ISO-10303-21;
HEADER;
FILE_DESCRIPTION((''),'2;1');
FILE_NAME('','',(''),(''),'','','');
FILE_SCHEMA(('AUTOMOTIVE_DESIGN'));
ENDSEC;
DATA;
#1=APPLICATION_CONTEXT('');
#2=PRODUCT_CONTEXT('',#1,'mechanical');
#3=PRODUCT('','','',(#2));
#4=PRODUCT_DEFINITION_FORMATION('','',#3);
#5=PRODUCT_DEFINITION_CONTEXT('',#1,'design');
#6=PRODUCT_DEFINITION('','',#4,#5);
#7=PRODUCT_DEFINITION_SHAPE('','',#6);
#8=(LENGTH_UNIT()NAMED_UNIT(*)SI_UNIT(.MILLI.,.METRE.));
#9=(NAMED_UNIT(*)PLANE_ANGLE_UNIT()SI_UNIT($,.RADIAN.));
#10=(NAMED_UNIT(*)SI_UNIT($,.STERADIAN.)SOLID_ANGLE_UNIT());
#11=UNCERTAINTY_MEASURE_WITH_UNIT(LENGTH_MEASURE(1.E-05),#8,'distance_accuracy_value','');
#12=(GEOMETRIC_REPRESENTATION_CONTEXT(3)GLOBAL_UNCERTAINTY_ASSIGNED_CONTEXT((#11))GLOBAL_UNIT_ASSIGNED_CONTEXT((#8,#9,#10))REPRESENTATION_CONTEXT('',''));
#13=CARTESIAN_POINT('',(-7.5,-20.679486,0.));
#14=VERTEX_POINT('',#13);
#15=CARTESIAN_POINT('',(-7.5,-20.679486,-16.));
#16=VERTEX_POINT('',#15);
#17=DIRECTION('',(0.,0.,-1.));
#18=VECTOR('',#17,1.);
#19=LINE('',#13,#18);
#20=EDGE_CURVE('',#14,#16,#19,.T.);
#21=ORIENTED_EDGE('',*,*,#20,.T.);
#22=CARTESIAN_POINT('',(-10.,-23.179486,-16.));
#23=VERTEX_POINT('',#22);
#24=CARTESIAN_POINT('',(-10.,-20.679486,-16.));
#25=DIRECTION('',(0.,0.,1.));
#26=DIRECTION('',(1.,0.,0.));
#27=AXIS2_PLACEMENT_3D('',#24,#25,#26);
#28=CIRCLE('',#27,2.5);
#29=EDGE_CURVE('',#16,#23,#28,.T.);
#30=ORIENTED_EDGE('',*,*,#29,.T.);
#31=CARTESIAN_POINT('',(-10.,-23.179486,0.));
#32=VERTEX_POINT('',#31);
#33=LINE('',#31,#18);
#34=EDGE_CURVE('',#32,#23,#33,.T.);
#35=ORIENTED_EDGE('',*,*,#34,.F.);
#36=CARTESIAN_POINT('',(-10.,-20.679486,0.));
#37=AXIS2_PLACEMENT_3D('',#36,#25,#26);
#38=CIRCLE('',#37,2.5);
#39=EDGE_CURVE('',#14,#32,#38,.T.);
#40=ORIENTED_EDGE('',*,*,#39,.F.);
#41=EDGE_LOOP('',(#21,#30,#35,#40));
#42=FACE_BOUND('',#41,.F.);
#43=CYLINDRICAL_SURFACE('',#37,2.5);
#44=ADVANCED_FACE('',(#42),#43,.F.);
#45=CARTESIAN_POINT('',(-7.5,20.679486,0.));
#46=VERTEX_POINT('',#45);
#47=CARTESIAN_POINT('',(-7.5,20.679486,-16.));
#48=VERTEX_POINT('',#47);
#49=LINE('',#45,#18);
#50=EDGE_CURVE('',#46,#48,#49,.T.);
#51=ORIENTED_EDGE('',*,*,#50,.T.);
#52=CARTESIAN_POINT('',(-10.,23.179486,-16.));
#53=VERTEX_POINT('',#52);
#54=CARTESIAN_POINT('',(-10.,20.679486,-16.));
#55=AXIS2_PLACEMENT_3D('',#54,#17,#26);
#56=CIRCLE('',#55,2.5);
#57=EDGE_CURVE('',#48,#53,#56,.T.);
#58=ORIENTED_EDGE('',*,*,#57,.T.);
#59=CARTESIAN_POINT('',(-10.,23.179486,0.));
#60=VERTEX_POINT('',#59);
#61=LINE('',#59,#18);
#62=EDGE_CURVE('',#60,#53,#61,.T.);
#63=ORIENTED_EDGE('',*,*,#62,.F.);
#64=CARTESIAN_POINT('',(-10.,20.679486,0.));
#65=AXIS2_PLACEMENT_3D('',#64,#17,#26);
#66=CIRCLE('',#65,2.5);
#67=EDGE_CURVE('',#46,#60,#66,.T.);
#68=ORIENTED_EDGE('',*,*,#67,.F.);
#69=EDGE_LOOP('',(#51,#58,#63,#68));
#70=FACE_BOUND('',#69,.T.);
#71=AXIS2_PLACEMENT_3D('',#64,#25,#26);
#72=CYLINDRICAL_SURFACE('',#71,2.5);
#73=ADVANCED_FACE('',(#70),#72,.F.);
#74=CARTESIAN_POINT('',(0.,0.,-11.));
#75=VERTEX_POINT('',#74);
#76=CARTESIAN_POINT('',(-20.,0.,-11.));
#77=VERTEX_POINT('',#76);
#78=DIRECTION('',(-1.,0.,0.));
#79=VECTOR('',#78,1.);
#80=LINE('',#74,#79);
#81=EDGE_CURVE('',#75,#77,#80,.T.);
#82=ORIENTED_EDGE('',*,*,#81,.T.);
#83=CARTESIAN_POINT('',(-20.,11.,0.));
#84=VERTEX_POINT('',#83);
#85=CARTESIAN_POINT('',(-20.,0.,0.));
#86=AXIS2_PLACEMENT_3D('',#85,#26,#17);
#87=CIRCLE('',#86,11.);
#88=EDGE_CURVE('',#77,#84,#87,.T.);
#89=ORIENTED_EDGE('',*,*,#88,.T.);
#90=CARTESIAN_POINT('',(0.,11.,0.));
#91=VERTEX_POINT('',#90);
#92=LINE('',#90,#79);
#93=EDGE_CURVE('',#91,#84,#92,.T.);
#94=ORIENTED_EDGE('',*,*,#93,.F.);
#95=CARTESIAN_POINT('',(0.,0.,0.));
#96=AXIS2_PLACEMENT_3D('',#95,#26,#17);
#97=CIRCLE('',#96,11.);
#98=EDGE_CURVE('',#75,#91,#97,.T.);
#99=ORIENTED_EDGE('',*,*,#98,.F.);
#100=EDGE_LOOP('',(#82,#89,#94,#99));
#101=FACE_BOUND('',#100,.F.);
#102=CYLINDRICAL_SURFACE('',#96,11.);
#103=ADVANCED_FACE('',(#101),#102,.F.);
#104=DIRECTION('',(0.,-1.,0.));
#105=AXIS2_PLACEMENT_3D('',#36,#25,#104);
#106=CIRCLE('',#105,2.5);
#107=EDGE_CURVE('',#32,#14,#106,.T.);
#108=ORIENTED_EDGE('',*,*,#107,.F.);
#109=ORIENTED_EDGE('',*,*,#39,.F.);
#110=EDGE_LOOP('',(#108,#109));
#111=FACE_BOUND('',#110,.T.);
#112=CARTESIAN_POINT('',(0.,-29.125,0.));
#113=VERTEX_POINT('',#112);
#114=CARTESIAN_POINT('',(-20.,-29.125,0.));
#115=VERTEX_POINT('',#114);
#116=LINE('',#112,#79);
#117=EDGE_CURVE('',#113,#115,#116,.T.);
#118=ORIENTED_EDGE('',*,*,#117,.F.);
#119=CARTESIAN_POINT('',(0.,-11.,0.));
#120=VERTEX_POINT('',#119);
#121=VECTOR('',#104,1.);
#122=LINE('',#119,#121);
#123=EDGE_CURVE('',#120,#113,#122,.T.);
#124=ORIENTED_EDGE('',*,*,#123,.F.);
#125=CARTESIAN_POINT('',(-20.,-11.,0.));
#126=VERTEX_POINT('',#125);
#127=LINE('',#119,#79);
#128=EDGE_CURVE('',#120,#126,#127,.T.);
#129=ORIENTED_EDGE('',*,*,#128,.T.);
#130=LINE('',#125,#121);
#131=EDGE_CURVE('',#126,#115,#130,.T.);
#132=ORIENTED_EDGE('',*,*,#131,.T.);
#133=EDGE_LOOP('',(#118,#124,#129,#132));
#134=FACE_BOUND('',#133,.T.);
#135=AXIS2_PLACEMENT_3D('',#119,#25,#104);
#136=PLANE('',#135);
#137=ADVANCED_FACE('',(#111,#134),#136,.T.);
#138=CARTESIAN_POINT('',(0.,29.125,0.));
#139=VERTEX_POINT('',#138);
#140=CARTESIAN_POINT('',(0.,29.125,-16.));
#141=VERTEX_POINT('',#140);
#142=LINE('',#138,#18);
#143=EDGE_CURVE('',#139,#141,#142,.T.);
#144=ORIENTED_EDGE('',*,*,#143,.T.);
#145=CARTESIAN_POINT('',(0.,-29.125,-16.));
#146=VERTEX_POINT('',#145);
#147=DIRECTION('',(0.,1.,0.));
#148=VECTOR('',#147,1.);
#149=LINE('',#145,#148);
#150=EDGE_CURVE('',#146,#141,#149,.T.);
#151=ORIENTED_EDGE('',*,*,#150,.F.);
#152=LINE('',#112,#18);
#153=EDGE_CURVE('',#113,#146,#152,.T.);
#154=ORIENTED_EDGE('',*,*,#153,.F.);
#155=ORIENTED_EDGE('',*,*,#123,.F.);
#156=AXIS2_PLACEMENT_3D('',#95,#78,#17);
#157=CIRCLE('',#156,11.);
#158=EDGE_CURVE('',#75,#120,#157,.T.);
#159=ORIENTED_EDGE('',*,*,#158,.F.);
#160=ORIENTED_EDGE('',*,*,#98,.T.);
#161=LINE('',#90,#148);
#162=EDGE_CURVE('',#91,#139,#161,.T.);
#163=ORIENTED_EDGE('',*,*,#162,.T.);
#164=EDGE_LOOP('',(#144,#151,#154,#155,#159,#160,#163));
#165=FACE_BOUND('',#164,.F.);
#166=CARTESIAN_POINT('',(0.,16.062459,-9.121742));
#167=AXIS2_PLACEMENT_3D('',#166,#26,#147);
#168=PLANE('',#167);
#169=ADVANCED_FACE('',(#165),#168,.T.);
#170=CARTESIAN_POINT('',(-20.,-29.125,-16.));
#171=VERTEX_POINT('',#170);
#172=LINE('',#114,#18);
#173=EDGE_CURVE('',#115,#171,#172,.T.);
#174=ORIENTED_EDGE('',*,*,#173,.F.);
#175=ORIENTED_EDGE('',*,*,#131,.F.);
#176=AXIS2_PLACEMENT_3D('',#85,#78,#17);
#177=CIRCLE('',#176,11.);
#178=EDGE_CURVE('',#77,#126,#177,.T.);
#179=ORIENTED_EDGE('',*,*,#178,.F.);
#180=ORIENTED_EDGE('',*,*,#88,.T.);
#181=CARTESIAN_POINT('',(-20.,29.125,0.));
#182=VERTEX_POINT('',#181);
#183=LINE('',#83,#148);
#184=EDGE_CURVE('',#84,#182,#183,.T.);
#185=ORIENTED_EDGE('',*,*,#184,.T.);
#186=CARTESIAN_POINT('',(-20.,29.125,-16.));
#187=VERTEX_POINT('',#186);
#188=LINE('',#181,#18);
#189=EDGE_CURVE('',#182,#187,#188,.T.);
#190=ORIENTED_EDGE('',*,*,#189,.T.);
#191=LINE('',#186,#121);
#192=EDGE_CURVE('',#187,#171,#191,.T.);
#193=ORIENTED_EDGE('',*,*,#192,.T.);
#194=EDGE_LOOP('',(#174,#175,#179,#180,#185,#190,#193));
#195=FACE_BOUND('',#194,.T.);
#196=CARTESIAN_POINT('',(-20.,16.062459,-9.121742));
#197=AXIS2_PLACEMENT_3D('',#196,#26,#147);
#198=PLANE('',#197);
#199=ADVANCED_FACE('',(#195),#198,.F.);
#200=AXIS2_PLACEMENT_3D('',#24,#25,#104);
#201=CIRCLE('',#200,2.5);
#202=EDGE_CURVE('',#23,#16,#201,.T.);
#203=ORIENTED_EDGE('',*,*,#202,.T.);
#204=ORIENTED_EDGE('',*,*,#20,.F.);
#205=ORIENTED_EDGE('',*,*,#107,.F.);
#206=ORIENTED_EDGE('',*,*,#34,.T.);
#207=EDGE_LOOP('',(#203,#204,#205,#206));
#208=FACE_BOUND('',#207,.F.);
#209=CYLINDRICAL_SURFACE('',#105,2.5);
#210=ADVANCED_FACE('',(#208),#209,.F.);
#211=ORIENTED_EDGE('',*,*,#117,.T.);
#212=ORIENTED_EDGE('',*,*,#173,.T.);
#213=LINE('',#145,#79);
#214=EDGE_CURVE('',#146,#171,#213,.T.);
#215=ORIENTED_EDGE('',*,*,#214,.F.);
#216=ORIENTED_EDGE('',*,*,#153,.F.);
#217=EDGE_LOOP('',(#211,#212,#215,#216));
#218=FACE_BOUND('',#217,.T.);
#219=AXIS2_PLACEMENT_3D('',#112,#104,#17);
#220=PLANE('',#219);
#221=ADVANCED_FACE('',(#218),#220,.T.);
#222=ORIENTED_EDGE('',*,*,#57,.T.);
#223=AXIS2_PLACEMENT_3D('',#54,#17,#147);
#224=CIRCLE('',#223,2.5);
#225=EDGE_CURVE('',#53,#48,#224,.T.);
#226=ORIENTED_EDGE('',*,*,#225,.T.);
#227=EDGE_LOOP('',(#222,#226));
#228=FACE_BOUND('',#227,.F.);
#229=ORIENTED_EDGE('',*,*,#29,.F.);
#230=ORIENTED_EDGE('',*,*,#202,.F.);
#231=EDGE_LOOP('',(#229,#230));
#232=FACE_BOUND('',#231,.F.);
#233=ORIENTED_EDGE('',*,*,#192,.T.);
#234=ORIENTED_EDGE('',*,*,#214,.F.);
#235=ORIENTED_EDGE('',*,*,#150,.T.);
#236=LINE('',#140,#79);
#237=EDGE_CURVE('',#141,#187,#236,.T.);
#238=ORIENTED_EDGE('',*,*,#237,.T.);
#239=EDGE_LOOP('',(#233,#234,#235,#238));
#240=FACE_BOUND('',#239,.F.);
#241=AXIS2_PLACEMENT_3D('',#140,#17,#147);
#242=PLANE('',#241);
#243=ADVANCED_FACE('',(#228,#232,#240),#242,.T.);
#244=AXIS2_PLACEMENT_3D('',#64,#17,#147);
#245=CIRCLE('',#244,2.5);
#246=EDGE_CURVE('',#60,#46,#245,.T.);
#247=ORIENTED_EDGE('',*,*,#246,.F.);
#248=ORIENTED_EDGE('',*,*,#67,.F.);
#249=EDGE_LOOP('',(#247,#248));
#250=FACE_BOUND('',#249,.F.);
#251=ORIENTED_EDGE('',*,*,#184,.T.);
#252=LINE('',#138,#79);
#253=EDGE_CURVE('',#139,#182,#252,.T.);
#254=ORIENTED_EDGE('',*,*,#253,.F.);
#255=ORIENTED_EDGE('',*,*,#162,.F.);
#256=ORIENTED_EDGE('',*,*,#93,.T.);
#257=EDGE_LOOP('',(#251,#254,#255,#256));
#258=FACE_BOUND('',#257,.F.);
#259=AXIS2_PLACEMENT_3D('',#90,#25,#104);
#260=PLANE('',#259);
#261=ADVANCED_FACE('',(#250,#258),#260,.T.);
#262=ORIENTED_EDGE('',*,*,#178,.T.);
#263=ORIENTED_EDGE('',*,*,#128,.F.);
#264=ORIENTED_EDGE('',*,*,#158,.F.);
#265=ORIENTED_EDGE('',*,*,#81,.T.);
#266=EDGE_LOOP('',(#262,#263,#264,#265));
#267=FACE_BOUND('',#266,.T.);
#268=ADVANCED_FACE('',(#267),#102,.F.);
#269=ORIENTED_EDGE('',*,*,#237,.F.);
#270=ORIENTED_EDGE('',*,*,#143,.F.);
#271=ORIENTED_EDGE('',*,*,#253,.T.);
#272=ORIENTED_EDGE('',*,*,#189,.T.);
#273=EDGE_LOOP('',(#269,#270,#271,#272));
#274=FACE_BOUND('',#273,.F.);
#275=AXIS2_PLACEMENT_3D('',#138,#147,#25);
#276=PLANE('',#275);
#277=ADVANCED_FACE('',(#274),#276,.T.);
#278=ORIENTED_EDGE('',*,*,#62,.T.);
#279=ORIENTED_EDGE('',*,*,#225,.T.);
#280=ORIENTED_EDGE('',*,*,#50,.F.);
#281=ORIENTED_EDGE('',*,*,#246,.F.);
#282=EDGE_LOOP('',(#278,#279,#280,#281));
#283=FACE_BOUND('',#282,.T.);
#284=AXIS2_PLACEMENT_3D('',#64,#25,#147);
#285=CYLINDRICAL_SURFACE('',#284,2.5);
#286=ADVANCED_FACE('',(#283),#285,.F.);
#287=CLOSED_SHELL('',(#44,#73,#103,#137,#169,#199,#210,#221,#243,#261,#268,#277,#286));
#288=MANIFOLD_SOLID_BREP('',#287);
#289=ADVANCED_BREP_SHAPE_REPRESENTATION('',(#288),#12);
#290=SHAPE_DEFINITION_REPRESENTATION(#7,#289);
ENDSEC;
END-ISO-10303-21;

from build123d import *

# Parameters (mm, degrees)
F1_DEPTH = 20
F4_DEPTH = 25


with BuildPart() as f1:
    # F0 (on Right) → F1 (new body)
    with BuildSketch(Plane.YZ):
        with BuildLine():
            ThreePointArc((0, -11), (-7.7781745931, -7.7781745931), (-11, 0))
            Line((-11, 0), (-29.125, 0))
            Line((-29.125, 0), (-29.125, -16))
            Line((-29.125, -16), (0, -16))
            Line((0, -16), (0, -11))
        make_face()
    extrude(amount=-F1_DEPTH)

    # F3 (on offset) → F4 (cut)
    with BuildSketch(Plane.XY):
        with BuildLine():
            ThreePointArc((-10, -23.1794859892), (-8.232233047, -22.4472529422), (-7.5, -20.6794859892))
            ThreePointArc((-7.5, -20.6794859892), (-11.767766953, -18.9117190362), (-10, -23.1794859892))
        make_face()
    extrude(amount=-F4_DEPTH, mode=Mode.SUBTRACT)

    # F5: F1 across face


with BuildPart() as f1_1:
    add(f1.part)
    add(f1.part.mirror(Plane(origin=(-10, 0, -13.5), x_dir=(-1, 0, 0), z_dir=(0, 1, 0))))


solid = f1_1.part
